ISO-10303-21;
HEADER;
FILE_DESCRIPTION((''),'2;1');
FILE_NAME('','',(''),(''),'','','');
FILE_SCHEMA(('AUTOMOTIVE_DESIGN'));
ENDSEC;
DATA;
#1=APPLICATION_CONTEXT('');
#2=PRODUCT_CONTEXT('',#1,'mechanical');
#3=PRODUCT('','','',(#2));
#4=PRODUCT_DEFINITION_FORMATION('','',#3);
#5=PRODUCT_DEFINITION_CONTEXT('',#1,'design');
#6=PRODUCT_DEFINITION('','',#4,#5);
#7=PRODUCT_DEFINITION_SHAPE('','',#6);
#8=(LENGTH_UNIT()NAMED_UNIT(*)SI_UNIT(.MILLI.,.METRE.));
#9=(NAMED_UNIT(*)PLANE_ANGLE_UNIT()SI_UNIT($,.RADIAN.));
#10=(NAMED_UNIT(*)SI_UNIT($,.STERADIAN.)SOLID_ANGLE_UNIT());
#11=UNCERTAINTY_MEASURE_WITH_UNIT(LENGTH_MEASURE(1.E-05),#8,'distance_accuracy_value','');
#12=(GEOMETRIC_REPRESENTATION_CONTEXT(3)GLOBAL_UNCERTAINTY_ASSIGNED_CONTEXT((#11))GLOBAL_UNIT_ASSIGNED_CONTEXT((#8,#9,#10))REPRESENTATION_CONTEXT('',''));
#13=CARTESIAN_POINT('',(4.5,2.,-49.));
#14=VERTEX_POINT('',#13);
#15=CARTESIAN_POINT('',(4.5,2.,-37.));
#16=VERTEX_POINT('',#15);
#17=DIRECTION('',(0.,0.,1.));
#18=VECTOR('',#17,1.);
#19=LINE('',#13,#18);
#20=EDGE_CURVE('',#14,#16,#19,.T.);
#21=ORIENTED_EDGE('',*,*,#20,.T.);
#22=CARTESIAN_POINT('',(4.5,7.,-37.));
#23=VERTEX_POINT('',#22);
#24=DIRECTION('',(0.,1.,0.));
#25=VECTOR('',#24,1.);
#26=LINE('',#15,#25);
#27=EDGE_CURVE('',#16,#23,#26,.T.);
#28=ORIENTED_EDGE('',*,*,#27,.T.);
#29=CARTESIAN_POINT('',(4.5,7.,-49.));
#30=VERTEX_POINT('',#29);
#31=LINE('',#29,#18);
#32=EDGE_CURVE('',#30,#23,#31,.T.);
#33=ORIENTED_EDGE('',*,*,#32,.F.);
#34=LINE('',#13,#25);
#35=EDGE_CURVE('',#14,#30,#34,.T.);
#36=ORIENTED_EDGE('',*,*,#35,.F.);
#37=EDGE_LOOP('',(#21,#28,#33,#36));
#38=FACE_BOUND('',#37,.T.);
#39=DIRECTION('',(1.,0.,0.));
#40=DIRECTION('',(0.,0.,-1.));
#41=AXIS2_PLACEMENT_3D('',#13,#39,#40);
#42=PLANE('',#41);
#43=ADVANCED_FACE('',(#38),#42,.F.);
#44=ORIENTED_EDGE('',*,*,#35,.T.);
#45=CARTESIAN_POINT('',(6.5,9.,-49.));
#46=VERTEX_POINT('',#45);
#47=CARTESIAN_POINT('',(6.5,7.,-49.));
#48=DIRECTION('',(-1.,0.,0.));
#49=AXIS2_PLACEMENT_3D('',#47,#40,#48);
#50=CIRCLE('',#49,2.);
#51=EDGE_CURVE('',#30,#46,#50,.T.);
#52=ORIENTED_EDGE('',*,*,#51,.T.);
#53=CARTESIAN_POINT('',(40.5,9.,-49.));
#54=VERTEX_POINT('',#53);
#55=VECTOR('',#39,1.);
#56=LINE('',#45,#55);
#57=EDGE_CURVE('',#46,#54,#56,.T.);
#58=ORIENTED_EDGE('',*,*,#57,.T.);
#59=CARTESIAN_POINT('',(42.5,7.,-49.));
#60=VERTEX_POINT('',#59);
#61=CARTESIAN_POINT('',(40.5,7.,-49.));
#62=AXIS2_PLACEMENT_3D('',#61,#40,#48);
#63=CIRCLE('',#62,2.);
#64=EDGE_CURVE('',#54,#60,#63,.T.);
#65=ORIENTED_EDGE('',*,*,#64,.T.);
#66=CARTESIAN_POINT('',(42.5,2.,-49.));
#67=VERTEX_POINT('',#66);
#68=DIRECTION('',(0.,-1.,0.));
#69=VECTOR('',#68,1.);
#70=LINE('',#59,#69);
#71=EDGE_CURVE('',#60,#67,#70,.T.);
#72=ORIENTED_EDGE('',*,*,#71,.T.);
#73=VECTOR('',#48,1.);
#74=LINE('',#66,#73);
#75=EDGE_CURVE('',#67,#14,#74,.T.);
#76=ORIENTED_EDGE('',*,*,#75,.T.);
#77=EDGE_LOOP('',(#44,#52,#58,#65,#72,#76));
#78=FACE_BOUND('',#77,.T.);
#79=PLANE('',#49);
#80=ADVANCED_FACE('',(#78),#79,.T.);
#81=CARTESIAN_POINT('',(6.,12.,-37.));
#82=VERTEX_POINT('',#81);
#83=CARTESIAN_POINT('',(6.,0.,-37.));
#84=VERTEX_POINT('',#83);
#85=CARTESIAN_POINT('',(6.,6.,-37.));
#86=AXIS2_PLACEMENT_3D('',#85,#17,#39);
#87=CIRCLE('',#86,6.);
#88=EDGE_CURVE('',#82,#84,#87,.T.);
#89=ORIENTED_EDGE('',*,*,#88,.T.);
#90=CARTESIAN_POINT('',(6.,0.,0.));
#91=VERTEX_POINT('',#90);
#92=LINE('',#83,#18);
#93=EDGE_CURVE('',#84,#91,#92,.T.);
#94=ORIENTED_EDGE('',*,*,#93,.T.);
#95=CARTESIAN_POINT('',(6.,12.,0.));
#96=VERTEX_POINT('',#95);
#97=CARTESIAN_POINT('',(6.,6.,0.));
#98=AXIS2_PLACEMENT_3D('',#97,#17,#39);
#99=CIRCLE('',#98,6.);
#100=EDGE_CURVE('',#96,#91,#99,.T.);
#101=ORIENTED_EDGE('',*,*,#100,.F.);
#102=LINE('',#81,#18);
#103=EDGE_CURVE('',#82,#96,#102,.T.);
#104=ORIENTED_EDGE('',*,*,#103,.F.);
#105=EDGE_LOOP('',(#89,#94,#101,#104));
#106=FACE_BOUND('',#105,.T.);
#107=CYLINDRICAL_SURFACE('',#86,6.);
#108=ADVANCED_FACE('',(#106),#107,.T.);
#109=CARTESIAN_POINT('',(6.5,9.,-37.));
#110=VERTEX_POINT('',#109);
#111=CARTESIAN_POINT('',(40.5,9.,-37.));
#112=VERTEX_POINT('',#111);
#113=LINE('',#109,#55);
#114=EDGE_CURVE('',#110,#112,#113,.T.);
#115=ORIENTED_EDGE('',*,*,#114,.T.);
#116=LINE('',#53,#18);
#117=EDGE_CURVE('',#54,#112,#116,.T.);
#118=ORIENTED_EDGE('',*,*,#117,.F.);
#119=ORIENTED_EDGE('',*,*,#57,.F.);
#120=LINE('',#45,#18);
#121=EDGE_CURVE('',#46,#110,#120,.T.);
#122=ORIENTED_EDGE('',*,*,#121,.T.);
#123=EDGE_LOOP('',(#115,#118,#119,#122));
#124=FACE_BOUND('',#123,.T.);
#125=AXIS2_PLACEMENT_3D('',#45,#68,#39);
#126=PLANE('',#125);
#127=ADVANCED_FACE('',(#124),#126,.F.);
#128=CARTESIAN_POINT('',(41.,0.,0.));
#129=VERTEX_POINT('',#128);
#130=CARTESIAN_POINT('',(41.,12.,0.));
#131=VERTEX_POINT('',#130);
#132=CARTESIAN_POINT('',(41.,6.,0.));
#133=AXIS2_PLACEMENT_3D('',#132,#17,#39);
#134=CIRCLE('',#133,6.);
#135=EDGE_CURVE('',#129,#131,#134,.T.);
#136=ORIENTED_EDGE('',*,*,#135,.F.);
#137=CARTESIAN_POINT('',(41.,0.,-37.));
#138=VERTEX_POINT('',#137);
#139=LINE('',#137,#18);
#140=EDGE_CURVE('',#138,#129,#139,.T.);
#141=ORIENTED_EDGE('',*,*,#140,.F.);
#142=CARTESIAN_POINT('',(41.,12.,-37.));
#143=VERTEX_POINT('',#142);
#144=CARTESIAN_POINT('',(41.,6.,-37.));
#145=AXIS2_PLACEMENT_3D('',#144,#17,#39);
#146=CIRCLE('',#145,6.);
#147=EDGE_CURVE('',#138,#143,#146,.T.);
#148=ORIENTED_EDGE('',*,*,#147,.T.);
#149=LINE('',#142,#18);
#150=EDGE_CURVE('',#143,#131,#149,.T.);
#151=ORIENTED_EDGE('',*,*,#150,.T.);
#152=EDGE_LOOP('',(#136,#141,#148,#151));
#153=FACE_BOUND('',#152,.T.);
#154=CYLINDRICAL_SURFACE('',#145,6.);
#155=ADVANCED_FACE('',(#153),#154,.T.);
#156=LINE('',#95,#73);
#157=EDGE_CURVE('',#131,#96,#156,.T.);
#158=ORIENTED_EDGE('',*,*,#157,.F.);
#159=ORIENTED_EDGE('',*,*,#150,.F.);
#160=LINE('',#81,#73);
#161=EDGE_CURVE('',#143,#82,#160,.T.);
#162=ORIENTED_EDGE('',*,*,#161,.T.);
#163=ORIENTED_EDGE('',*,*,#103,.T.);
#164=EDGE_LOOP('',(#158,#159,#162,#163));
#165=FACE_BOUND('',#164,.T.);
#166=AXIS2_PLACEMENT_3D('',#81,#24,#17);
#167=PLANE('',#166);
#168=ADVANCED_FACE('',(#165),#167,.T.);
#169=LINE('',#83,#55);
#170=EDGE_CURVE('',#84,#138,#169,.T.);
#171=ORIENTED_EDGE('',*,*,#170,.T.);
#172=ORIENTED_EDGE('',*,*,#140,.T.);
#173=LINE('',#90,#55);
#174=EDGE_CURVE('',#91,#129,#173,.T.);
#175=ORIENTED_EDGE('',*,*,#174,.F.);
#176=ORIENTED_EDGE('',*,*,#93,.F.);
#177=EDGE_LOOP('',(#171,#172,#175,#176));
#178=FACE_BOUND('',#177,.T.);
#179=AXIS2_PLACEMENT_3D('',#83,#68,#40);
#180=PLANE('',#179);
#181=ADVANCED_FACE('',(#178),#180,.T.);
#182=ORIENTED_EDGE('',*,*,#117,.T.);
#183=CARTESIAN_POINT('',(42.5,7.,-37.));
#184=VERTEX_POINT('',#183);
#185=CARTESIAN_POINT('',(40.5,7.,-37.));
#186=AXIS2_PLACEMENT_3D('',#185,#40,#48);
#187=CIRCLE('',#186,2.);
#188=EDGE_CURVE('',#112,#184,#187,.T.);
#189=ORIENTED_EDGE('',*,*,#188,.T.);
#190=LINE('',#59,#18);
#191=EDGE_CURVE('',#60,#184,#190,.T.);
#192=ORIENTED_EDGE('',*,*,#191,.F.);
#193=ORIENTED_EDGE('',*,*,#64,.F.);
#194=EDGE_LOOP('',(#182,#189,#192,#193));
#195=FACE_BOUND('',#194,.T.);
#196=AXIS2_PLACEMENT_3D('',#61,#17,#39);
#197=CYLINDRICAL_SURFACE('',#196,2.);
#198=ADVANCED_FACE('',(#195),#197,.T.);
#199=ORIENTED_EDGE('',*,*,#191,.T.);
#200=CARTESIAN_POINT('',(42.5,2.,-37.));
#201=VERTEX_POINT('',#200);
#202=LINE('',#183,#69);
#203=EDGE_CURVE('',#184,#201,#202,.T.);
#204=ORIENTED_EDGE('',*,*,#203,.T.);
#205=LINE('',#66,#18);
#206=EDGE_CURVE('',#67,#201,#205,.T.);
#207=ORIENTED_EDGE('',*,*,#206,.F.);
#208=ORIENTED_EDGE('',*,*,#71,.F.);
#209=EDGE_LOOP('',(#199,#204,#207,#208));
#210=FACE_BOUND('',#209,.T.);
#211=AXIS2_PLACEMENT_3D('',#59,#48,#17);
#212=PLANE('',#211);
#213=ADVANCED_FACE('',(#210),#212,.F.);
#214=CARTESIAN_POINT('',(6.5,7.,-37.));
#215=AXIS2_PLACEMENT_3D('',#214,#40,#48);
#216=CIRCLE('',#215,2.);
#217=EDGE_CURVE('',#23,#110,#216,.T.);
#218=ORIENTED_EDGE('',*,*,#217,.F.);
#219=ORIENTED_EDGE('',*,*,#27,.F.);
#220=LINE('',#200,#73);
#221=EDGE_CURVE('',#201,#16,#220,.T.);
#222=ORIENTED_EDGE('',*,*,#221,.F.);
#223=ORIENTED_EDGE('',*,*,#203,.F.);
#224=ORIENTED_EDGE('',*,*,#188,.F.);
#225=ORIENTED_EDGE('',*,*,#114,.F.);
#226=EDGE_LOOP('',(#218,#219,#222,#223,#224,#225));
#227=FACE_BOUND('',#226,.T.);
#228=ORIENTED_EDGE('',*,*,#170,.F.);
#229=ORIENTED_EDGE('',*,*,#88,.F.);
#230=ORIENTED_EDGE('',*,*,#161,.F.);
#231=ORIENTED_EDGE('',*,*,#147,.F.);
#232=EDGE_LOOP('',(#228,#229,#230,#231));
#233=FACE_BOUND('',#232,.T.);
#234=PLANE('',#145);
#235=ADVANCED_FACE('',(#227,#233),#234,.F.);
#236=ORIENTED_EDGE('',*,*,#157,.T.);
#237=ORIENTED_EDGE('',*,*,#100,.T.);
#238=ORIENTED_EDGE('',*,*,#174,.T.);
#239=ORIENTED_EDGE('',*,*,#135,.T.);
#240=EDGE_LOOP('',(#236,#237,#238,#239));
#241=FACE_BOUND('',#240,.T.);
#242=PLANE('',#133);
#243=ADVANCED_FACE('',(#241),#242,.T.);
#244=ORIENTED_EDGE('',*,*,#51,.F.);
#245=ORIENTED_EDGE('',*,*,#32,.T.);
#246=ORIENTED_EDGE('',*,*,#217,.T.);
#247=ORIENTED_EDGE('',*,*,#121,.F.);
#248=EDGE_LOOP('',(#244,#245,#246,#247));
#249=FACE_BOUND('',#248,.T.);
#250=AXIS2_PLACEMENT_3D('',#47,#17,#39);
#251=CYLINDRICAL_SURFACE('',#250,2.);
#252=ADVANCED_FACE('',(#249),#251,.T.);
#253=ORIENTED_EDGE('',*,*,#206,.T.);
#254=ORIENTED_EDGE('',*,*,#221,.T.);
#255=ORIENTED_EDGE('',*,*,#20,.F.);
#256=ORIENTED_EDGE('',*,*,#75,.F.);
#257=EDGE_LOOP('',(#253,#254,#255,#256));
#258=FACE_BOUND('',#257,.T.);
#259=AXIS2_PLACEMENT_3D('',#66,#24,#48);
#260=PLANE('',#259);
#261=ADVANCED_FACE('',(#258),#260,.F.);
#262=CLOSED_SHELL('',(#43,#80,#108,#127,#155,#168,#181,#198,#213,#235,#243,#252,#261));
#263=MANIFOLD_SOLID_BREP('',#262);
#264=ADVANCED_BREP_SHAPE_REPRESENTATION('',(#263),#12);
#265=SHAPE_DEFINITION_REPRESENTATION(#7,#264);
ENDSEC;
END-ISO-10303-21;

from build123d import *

# Parameters (mm, degrees)
BOSS_EXTRUDE2_DEPTH = 37
BOSS_EXTRUDE3_DEPTH = 12


with BuildPart() as part:
    # Sketch1 → Boss-Extrude2 (new body)
    with BuildSketch(Plane.XY):
        with BuildLine():
            Line((6, 0), (41, 0))
            ThreePointArc((41, 0), (47, 6), (41, 12))
            Line((41, 12), (6, 12))
            ThreePointArc((6, 12), (0, 6), (6, 0))
        make_face()
    extrude(amount=-BOSS_EXTRUDE2_DEPTH)

    # Sketch2 → Boss-Extrude3 (add)
    with BuildSketch(Plane(origin=(0, 0, -37), x_dir=(-1, 0, 0), z_dir=(0, 0, -1))):
        with BuildLine():
            Line((-42.5, 2), (-4.5, 2))
            Line((-4.5, 2), (-4.5, 7))
            ThreePointArc((-4.5, 7), (-5.085786438, 8.414213562), (-6.5, 9))
            Line((-6.5, 9), (-40.5, 9))
            ThreePointArc((-40.5, 9), (-41.914213562, 8.414213562), (-42.5, 7))
            Line((-42.5, 7), (-42.5, 2))
        make_face()
    extrude(amount=BOSS_EXTRUDE3_DEPTH)


solid = part.part
